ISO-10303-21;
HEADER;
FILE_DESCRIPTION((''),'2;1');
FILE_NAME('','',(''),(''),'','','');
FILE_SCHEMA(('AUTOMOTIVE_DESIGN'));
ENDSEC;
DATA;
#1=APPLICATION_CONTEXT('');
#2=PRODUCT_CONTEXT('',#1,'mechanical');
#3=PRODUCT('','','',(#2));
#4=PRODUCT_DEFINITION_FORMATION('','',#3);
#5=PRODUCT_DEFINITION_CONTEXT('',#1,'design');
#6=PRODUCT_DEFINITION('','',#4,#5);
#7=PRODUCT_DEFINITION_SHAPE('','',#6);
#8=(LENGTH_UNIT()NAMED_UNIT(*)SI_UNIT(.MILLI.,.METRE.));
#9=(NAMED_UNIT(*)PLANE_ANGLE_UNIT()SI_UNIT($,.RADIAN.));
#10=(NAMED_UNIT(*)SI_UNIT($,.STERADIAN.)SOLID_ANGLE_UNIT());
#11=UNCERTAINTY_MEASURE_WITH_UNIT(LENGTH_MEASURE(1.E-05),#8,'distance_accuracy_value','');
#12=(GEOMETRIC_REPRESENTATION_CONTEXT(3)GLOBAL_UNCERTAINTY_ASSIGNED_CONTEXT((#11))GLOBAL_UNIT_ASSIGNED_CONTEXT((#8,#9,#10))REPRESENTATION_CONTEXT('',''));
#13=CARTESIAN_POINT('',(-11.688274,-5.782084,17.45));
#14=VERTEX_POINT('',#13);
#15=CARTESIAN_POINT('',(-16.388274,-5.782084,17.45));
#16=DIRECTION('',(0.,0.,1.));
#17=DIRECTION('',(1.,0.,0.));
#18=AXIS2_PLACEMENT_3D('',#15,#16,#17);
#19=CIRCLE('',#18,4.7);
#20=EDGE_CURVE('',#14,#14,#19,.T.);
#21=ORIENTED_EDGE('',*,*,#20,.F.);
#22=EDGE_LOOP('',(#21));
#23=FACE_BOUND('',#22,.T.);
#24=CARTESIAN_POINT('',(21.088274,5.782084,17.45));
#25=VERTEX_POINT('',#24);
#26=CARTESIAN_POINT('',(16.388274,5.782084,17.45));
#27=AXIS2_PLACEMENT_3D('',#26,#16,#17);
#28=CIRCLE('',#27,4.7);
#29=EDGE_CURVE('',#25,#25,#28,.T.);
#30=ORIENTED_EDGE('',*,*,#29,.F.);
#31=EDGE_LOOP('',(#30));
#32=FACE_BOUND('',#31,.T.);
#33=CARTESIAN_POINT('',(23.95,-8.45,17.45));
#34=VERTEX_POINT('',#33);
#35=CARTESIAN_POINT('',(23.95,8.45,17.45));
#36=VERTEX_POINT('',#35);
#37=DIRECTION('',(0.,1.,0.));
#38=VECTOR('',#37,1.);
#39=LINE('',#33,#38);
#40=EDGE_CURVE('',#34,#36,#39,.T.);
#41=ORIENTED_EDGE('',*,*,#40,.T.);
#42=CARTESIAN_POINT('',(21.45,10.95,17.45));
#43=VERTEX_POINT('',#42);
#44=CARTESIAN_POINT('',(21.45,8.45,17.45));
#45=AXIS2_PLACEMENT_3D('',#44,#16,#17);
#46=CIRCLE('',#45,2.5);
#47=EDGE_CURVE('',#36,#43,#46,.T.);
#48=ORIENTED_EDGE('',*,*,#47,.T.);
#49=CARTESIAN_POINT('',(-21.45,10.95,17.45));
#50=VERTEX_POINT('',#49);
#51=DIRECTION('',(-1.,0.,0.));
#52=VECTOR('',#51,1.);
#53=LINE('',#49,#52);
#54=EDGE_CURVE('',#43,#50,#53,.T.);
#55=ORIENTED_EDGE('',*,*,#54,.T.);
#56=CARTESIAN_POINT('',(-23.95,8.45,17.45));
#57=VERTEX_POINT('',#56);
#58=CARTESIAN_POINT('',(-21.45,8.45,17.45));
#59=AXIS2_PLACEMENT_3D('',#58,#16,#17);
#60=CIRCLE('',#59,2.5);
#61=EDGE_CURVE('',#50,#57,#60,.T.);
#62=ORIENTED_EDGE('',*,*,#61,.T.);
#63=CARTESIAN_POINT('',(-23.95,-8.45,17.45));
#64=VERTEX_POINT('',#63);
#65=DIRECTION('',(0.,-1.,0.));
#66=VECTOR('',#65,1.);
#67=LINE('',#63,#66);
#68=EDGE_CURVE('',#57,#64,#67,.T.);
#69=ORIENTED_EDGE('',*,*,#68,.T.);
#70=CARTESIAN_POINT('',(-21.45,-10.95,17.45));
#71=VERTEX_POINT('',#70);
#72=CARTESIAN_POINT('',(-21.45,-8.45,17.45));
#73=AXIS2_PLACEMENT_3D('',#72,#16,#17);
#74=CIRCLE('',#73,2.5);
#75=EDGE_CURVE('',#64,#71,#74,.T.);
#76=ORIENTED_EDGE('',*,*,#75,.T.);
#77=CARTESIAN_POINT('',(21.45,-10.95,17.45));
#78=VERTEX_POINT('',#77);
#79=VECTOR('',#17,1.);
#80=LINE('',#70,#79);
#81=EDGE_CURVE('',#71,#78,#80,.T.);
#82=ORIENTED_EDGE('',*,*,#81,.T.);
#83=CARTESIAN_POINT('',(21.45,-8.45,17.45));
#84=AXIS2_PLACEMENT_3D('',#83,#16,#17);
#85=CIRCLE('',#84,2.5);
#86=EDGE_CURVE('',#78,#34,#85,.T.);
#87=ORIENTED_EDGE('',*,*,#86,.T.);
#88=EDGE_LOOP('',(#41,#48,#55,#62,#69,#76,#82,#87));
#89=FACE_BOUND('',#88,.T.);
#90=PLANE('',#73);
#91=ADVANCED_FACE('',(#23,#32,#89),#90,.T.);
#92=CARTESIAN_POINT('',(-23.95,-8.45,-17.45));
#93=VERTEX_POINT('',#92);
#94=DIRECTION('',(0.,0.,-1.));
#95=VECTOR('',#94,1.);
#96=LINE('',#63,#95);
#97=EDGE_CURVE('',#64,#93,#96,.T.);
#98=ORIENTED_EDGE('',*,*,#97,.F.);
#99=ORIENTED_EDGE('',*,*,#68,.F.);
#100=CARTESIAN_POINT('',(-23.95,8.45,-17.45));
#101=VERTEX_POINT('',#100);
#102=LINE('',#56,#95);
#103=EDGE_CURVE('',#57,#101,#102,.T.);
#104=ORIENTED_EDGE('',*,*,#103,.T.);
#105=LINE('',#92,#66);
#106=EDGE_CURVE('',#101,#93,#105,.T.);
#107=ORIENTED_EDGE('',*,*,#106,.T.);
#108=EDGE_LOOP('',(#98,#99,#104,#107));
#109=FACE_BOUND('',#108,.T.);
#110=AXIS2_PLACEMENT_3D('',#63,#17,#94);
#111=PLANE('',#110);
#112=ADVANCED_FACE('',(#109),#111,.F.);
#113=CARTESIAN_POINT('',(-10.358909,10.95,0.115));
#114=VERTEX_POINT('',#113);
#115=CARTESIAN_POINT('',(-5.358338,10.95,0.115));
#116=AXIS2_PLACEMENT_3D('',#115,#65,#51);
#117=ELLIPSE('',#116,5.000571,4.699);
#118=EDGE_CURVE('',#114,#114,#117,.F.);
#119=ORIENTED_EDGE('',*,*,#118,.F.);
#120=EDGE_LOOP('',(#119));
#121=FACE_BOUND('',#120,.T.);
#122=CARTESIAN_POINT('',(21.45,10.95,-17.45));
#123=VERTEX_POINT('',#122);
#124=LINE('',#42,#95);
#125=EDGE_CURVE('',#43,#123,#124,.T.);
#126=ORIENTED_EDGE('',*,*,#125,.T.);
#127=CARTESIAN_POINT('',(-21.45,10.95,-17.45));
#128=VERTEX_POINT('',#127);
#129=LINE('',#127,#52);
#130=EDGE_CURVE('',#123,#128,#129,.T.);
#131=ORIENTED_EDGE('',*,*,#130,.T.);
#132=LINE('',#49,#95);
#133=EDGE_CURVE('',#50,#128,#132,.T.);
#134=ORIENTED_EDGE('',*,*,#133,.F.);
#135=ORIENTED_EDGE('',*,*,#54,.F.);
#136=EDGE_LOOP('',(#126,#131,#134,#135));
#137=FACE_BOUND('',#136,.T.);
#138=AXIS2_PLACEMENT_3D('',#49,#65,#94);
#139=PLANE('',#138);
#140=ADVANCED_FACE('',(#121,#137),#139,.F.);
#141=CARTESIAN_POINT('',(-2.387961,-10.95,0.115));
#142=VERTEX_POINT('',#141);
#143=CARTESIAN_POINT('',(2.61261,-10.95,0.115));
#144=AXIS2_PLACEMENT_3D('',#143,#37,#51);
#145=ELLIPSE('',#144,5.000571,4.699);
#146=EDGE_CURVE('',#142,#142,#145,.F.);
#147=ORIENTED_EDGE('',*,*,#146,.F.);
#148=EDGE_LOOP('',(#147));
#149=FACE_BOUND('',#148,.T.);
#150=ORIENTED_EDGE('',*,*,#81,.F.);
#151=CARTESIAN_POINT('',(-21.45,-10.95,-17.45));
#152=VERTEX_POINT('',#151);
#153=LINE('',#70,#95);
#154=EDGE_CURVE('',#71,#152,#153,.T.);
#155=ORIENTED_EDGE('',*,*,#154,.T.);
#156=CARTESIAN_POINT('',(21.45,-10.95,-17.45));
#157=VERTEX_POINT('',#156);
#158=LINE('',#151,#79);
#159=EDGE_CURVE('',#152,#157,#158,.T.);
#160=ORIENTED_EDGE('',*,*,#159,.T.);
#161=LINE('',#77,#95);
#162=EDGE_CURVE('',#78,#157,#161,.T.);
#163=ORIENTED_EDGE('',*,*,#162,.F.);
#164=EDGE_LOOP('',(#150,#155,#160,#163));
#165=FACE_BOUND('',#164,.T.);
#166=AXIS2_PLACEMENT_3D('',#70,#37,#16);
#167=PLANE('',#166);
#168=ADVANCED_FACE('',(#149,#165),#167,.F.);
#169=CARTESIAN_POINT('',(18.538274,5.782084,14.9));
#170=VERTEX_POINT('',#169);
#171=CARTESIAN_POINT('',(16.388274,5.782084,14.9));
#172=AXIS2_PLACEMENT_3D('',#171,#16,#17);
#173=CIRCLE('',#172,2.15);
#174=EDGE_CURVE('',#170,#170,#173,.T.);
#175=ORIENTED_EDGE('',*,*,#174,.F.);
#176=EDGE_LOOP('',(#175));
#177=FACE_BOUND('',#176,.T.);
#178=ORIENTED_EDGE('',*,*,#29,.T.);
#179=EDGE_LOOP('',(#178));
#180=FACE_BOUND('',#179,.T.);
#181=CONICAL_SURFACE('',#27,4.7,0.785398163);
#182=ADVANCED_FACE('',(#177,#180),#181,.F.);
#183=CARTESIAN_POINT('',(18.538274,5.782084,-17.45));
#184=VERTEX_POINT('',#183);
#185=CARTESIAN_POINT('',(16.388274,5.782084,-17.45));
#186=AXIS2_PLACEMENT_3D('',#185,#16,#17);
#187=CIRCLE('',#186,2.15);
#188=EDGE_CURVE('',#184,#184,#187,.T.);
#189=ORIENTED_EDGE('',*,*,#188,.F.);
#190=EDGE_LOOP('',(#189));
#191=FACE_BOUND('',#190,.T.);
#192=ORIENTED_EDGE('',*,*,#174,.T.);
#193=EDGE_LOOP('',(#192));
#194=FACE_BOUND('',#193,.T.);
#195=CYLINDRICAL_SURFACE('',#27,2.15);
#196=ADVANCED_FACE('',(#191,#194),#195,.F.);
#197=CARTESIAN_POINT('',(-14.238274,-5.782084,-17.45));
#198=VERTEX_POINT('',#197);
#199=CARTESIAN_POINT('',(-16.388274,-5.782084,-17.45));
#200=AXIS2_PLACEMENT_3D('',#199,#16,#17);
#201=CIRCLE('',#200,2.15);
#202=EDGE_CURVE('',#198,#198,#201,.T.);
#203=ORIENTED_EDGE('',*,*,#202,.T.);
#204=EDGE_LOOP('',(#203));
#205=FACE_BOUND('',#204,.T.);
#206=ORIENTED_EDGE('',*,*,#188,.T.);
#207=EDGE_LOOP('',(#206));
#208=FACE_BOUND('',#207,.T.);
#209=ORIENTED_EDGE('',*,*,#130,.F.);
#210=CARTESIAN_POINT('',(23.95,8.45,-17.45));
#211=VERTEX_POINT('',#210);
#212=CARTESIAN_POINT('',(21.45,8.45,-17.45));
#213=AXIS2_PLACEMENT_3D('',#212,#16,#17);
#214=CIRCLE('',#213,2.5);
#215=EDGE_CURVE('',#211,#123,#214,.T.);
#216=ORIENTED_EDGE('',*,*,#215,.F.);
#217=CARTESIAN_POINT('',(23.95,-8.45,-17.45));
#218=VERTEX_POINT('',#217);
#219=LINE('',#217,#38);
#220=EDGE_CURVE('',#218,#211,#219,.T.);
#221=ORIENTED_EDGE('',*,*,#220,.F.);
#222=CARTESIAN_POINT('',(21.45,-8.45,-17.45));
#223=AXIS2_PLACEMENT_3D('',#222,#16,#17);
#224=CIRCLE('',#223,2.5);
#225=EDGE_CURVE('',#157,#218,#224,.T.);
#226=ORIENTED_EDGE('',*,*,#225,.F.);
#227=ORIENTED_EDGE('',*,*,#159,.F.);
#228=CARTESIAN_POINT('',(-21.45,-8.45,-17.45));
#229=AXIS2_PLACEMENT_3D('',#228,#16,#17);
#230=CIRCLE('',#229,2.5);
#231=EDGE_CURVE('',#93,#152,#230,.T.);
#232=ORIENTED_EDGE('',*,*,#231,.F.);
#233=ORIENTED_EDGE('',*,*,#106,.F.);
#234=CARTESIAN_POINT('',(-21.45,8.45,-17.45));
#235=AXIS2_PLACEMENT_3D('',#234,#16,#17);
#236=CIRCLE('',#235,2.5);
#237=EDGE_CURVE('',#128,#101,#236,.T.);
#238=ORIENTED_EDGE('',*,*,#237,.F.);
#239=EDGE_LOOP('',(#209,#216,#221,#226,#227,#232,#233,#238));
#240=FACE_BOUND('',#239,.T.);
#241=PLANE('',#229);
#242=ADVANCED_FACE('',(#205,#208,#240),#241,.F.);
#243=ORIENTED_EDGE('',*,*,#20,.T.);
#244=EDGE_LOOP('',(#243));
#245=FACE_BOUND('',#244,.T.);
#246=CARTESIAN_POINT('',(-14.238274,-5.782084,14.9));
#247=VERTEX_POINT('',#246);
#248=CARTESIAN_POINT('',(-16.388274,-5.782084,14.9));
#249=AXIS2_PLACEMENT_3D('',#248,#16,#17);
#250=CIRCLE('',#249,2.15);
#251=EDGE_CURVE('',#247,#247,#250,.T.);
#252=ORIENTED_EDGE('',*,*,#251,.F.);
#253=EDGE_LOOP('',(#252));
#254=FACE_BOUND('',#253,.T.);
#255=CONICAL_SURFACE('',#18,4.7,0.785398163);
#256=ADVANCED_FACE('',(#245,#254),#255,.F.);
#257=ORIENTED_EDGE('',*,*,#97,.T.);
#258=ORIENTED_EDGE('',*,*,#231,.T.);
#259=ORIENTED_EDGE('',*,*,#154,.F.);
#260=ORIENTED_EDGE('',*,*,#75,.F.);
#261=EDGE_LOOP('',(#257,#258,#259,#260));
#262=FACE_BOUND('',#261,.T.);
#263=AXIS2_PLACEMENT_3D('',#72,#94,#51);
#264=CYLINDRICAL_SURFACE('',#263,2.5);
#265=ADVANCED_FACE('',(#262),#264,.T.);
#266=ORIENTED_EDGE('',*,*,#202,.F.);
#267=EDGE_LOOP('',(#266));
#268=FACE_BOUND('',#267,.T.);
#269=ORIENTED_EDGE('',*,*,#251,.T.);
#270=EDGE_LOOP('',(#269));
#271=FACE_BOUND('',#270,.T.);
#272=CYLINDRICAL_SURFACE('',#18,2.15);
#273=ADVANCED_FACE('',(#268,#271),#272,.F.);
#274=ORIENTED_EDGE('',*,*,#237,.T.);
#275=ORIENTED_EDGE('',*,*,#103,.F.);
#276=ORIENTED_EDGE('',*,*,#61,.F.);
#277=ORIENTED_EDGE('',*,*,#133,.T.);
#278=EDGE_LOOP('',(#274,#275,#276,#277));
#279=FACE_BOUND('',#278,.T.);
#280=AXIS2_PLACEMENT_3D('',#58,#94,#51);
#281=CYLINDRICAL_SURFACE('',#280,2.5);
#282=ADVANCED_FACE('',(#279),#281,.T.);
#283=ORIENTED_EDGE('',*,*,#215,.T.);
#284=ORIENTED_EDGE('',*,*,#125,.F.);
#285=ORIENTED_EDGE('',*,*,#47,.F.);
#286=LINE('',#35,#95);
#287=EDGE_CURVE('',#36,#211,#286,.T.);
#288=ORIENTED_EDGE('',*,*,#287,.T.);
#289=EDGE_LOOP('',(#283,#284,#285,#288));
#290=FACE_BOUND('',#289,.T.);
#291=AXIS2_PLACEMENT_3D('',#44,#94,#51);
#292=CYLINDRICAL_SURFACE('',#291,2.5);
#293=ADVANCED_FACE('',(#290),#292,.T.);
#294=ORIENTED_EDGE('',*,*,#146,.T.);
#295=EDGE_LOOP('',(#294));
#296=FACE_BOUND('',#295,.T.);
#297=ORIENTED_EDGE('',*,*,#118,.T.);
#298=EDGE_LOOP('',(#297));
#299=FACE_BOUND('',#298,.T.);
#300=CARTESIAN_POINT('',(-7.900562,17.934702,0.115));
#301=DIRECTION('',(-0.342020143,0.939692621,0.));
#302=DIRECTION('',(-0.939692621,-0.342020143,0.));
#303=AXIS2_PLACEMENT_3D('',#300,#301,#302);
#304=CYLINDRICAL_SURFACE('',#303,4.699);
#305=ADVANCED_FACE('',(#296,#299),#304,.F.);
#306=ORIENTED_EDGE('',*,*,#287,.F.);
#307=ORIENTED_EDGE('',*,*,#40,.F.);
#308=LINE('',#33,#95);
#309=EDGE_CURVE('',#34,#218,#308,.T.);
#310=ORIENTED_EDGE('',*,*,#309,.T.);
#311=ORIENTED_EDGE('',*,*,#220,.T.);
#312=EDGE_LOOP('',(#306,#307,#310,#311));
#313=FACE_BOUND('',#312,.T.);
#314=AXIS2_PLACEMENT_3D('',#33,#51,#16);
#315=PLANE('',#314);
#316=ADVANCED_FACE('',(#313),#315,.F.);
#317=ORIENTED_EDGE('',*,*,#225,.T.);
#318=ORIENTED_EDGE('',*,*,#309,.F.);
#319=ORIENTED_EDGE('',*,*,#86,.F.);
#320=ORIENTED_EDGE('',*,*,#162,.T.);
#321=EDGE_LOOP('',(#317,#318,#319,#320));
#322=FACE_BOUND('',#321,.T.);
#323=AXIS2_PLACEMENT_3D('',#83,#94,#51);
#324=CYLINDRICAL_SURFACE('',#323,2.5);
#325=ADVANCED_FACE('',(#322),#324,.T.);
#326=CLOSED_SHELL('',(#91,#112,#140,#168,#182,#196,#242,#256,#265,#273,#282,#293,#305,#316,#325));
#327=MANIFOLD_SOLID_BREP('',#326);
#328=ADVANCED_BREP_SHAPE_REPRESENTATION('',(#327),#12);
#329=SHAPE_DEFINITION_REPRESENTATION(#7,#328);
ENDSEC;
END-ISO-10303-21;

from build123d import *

# Parameters (mm, degrees)
BOSS_EXTRUDE1_DEPTH                             = 17.45
CSK_FOR_M4_FLAT_HEAD_MACHINE_SCREW1_D           = 4.3
CSK_FOR_M4_FLAT_HEAD_MACHINE_SCREW1_CSINK_D     = 9.4
CSK_FOR_M4_FLAT_HEAD_MACHINE_SCREW1_CSINK_ANGLE = 90
SKETCH24_W                                      = 4.699
SKETCH24_H                                      = 41.40401941


with BuildPart() as part:
    # Sketch1 → Boss-Extrude1 (new body, symmetric)
    with BuildSketch(Plane.XY):
        with BuildLine():
            Line((-21.45, -10.95), (21.45, -10.95))
            ThreePointArc((21.45, -10.95), (23.217766953, -10.217766953), (23.95, -8.45))
            Line((23.95, -8.45), (23.95, 8.45))
            ThreePointArc((23.95, 8.45), (23.217766953, 10.217766953), (21.45, 10.95))
            Line((21.45, 10.95), (-21.45, 10.95))
            ThreePointArc((-21.45, 10.95), (-23.217766953, 10.217766953), (-23.95, 8.45))
            Line((-23.95, 8.45), (-23.95, -8.45))
            ThreePointArc((-23.95, -8.45), (-23.217766953, -10.217766953), (-21.45, -10.95))
        make_face()
    extrude(amount=BOSS_EXTRUDE1_DEPTH, both=True)

    # CSK for M4 Flat Head Machine Screw1 (through all)
    with Locations(Plane.XY.offset(17.45)):
        with Locations((-16.388274302, -5.782084253), (16.388274302, 5.782084253)):
            CounterSinkHole(CSK_FOR_M4_FLAT_HEAD_MACHINE_SCREW1_D / 2, CSK_FOR_M4_FLAT_HEAD_MACHINE_SCREW1_CSINK_D / 2, counter_sink_angle=CSK_FOR_M4_FLAT_HEAD_MACHINE_SCREW1_CSINK_ANGLE)

    # Sketch24 → Hosel Diameter (revolve, cut)
    with BuildSketch(Plane(origin=(-1.212269458, -0.441229999, 0), x_dir=(0, 0, -1), z_dir=(0.939692621, 0.342020143, 0))):
        with Locations((2.2345, -1.146750947)):
            Rectangle(SKETCH24_W, SKETCH24_H)
    revolve(axis=Axis((-7.900561861, 17.934702354, 0.115), (0.342020143, -0.939692621, 0)), mode=Mode.SUBTRACT)


solid = part.part
